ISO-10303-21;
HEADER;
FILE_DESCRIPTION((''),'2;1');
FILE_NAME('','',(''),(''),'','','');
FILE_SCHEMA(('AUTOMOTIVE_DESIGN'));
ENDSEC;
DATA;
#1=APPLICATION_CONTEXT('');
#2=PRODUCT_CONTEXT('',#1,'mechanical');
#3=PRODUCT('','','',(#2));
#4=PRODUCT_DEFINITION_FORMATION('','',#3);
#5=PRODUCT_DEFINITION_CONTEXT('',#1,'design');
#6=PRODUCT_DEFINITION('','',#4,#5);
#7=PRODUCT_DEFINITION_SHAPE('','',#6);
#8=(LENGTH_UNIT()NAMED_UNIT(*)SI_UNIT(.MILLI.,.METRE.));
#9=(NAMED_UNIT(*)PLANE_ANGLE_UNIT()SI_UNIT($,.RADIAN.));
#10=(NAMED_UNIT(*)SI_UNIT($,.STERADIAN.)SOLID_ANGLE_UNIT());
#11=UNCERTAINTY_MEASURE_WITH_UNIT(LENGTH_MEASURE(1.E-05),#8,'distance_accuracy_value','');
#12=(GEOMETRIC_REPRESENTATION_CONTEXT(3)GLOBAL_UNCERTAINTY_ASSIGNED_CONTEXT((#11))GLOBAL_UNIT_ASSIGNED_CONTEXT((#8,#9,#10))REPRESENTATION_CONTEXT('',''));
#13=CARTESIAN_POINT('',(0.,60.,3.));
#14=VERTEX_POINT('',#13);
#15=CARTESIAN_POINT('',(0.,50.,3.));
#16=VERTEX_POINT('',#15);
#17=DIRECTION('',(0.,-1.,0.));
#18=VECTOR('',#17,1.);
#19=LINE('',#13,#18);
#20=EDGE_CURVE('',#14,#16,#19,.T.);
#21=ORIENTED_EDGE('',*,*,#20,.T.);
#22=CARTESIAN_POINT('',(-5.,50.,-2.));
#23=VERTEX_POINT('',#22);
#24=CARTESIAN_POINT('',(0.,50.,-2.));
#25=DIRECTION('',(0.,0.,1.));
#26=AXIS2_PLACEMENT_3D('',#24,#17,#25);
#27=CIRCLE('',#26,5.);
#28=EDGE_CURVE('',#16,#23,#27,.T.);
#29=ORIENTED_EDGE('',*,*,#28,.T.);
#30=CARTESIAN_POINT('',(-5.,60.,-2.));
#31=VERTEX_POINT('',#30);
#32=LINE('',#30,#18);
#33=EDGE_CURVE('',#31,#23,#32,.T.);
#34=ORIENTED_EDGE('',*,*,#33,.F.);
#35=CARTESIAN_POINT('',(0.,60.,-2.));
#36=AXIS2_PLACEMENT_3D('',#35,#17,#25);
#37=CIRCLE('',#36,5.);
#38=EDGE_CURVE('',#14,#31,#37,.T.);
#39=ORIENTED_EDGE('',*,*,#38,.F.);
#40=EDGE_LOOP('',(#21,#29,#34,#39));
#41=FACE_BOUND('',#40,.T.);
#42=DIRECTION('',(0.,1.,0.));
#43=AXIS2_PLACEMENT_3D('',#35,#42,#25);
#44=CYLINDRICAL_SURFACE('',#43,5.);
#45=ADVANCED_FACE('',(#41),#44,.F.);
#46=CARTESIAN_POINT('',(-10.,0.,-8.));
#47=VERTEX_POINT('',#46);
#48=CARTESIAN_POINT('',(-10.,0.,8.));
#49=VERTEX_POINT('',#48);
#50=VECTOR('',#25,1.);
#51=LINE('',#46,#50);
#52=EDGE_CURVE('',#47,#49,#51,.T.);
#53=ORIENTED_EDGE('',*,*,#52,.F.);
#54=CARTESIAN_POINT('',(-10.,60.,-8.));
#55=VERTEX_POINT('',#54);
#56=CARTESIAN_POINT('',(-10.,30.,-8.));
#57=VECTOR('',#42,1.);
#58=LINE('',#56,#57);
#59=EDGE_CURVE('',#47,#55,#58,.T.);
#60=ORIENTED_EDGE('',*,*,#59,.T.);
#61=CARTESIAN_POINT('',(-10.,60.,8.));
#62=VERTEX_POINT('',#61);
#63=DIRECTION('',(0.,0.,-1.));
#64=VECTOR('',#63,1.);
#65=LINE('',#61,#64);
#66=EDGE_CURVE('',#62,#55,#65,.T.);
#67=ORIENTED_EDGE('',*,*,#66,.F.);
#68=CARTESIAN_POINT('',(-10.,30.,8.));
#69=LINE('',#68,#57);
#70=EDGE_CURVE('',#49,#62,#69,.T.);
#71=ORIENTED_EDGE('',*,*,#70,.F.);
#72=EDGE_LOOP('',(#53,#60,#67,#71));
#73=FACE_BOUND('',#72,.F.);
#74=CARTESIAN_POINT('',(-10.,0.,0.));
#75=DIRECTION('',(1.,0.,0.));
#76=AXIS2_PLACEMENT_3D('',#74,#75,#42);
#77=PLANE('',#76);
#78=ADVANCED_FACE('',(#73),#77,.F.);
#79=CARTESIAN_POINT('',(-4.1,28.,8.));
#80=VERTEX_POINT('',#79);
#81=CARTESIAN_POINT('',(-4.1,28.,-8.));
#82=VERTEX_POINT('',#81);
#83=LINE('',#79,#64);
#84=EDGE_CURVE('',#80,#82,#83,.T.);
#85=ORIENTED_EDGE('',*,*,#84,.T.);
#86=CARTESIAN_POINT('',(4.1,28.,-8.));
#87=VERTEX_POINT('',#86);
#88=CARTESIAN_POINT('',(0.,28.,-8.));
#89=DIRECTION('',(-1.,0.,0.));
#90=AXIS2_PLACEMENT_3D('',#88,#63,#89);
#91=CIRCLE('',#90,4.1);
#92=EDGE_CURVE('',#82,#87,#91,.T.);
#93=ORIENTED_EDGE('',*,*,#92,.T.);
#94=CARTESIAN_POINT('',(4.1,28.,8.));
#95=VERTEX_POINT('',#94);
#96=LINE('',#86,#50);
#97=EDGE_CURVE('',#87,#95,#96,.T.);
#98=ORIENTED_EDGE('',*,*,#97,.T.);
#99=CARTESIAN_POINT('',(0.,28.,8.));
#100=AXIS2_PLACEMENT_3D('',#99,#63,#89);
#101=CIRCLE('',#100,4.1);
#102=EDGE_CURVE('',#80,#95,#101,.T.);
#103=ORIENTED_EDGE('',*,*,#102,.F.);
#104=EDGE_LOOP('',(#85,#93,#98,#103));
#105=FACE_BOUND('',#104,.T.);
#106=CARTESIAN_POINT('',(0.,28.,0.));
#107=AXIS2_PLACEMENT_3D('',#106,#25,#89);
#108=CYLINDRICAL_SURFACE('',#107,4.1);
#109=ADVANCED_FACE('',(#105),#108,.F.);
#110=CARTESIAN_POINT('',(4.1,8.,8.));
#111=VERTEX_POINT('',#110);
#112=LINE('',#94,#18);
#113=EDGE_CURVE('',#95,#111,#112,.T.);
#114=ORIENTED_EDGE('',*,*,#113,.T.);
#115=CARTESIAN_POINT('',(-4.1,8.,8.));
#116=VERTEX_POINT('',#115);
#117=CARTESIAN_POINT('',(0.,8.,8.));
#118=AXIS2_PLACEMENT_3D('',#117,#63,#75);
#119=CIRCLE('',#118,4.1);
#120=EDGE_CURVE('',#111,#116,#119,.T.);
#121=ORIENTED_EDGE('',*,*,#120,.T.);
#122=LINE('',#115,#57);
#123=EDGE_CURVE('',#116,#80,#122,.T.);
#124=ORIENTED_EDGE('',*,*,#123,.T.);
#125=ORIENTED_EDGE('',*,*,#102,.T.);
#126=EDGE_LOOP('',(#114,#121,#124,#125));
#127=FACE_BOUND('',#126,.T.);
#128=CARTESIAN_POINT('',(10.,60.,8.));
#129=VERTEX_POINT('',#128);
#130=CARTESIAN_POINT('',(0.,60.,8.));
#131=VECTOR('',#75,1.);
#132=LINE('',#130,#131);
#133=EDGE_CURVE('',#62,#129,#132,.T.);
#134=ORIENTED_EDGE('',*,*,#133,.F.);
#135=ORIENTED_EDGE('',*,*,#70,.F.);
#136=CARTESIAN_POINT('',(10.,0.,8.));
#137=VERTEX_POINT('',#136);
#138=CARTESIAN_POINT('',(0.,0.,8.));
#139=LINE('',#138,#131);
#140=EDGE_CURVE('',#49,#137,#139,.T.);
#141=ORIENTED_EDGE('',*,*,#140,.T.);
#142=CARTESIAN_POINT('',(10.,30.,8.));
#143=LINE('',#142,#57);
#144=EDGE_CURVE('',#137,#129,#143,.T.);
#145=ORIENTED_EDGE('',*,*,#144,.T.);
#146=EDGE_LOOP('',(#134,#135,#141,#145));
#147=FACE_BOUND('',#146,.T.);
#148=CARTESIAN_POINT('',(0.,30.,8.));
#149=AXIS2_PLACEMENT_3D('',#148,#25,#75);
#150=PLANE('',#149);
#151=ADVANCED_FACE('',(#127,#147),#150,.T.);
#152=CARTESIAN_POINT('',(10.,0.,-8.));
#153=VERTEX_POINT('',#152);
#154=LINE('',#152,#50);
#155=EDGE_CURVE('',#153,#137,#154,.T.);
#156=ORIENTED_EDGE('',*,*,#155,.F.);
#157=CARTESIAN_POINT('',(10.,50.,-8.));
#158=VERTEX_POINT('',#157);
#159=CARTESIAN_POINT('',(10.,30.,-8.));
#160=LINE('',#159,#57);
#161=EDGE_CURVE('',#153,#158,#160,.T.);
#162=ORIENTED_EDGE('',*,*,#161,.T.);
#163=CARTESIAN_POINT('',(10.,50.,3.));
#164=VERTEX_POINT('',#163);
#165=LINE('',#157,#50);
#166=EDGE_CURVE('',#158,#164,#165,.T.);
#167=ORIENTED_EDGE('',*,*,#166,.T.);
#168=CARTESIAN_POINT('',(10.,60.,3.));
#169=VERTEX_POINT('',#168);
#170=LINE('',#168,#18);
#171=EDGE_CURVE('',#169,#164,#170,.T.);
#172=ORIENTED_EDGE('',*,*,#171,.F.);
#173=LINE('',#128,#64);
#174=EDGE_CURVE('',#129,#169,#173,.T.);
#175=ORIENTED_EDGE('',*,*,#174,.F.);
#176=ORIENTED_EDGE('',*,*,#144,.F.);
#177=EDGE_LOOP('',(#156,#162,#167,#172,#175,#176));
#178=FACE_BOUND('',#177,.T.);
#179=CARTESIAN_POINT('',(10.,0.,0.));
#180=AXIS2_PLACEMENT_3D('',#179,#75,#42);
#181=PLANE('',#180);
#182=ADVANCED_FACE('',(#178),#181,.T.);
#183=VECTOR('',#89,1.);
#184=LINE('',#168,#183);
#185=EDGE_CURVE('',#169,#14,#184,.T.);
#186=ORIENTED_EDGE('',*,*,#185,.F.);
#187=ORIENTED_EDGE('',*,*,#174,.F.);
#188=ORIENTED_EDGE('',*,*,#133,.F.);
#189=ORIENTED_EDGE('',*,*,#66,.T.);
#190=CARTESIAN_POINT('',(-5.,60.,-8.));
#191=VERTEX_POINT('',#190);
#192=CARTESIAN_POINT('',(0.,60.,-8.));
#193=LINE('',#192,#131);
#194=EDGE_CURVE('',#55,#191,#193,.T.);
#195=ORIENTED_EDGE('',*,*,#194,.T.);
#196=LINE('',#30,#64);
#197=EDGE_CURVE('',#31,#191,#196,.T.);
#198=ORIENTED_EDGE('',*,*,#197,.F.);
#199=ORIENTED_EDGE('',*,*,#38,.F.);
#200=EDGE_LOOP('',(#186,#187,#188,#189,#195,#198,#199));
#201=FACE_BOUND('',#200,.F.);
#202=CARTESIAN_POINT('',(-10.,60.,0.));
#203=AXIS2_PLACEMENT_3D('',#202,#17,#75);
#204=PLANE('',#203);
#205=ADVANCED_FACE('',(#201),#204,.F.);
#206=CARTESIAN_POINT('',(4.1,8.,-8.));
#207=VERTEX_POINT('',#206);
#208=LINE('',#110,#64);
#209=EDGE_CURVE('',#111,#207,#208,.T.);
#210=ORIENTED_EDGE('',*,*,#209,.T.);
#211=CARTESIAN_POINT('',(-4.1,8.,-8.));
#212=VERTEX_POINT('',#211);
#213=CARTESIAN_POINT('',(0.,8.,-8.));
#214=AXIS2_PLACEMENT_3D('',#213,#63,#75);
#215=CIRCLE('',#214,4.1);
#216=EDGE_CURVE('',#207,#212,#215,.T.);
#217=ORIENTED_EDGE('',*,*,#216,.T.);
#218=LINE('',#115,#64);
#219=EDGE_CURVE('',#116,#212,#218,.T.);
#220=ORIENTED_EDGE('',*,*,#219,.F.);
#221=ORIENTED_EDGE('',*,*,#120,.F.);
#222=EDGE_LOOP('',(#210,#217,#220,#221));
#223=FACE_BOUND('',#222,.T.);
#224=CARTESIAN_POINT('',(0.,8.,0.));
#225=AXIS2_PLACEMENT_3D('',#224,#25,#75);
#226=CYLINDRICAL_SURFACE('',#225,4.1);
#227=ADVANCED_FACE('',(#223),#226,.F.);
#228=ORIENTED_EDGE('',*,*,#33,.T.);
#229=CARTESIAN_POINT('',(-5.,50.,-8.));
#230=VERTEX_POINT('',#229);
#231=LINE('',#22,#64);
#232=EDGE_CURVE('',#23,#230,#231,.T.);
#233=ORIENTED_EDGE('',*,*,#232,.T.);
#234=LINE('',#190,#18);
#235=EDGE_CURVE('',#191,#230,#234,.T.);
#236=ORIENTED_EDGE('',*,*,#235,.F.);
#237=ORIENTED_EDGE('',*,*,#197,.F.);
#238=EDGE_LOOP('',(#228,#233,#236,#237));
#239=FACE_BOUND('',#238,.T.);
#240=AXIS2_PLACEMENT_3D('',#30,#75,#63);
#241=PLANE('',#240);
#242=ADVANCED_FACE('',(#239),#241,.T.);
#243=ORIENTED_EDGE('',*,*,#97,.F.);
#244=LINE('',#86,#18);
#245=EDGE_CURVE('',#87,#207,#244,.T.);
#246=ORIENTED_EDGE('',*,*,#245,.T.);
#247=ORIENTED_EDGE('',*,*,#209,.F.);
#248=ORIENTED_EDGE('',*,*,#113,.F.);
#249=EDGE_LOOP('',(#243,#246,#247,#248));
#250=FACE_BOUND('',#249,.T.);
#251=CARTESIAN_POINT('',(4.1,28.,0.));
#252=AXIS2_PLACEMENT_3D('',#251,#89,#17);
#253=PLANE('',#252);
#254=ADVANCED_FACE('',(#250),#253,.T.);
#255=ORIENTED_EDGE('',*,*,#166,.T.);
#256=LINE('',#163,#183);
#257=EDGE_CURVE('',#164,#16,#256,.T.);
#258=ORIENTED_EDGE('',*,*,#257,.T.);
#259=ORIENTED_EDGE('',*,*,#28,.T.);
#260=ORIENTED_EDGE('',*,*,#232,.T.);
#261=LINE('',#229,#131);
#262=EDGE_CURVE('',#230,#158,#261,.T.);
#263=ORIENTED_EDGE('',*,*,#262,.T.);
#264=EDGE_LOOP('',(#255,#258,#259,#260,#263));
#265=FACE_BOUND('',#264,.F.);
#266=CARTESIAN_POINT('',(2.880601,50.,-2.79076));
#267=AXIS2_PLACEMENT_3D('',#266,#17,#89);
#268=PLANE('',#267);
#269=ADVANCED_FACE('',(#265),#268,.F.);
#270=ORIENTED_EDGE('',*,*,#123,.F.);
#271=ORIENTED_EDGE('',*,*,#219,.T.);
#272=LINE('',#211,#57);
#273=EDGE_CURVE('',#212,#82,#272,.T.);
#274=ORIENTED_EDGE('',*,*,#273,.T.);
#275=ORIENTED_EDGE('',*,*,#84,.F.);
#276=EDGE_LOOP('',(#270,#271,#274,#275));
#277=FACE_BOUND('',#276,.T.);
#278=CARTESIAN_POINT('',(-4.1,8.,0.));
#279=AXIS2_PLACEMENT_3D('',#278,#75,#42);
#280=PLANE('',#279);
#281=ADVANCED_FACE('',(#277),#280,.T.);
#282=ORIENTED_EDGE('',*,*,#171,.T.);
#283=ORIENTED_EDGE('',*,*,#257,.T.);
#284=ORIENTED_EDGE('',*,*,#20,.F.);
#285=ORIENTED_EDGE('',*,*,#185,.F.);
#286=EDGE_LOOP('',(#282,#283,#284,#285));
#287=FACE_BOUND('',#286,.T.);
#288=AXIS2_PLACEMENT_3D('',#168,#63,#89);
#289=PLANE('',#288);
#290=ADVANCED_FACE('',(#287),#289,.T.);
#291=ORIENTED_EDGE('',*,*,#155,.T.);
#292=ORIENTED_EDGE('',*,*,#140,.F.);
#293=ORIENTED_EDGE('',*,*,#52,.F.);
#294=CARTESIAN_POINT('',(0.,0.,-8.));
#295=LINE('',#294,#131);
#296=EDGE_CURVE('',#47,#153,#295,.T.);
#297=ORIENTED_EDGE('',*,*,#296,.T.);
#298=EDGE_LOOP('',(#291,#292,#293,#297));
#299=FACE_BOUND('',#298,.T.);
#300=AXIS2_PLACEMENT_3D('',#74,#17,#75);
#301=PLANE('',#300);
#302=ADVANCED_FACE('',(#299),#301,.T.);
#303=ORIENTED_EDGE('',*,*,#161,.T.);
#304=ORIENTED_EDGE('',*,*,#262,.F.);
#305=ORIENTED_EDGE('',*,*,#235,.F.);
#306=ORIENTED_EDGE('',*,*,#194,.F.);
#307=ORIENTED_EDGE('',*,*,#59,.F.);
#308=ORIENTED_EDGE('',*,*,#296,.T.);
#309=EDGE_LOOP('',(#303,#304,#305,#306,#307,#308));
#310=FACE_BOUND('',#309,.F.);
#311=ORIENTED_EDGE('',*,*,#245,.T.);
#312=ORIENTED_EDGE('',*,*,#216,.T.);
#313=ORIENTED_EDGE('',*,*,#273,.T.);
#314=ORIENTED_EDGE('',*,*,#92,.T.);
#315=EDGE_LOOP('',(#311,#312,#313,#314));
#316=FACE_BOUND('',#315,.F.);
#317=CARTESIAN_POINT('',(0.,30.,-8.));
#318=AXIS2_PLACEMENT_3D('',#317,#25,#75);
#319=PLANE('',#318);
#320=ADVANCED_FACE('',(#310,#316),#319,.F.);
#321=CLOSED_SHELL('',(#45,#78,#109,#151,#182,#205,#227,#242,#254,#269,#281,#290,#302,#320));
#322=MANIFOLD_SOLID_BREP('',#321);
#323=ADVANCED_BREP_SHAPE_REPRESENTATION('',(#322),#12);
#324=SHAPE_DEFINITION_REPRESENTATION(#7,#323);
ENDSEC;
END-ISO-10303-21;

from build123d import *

# Parameters (mm, degrees)
SKETCH1_W           = 20
SKETCH1_H           = 60
BOSS_EXTRUDE1_DEPTH = 8
CUT_EXTRUDE1_DEPTH  = 10


with BuildPart() as part:
    # Sketch1 → Boss-Extrude1 (new body, symmetric)
    with BuildSketch(Plane.XY):
        with Locations((0, 30)):
            Rectangle(SKETCH1_W, SKETCH1_H)
        with BuildLine():
            Line((4.1, 28), (4.1, 8))
            ThreePointArc((4.1, 8), (0, 3.9), (-4.1, 8))
            Line((-4.1, 8), (-4.1, 28))
            ThreePointArc((-4.1, 28), (0, 32.1), (4.1, 28))
        make_face(mode=Mode.SUBTRACT)
    extrude(amount=BOSS_EXTRUDE1_DEPTH, both=True)

    # Sketch2 → Cut-Extrude1 (cut)
    with BuildSketch(Plane(origin=(0, 60, 0), x_dir=(1, 0, 0), z_dir=(0, 1, 0))):
        with BuildLine():
            Line((10, -3), (0, -3))
            ThreePointArc((0, -3), (-3.535533906, -1.535533906), (-5, 2))
            Line((-5, 2), (-5, 8))
            Line((-5, 8), (10, 8))
            Line((10, 8), (10, -3))
        make_face()
    extrude(amount=-CUT_EXTRUDE1_DEPTH, mode=Mode.SUBTRACT)


solid = part.part
